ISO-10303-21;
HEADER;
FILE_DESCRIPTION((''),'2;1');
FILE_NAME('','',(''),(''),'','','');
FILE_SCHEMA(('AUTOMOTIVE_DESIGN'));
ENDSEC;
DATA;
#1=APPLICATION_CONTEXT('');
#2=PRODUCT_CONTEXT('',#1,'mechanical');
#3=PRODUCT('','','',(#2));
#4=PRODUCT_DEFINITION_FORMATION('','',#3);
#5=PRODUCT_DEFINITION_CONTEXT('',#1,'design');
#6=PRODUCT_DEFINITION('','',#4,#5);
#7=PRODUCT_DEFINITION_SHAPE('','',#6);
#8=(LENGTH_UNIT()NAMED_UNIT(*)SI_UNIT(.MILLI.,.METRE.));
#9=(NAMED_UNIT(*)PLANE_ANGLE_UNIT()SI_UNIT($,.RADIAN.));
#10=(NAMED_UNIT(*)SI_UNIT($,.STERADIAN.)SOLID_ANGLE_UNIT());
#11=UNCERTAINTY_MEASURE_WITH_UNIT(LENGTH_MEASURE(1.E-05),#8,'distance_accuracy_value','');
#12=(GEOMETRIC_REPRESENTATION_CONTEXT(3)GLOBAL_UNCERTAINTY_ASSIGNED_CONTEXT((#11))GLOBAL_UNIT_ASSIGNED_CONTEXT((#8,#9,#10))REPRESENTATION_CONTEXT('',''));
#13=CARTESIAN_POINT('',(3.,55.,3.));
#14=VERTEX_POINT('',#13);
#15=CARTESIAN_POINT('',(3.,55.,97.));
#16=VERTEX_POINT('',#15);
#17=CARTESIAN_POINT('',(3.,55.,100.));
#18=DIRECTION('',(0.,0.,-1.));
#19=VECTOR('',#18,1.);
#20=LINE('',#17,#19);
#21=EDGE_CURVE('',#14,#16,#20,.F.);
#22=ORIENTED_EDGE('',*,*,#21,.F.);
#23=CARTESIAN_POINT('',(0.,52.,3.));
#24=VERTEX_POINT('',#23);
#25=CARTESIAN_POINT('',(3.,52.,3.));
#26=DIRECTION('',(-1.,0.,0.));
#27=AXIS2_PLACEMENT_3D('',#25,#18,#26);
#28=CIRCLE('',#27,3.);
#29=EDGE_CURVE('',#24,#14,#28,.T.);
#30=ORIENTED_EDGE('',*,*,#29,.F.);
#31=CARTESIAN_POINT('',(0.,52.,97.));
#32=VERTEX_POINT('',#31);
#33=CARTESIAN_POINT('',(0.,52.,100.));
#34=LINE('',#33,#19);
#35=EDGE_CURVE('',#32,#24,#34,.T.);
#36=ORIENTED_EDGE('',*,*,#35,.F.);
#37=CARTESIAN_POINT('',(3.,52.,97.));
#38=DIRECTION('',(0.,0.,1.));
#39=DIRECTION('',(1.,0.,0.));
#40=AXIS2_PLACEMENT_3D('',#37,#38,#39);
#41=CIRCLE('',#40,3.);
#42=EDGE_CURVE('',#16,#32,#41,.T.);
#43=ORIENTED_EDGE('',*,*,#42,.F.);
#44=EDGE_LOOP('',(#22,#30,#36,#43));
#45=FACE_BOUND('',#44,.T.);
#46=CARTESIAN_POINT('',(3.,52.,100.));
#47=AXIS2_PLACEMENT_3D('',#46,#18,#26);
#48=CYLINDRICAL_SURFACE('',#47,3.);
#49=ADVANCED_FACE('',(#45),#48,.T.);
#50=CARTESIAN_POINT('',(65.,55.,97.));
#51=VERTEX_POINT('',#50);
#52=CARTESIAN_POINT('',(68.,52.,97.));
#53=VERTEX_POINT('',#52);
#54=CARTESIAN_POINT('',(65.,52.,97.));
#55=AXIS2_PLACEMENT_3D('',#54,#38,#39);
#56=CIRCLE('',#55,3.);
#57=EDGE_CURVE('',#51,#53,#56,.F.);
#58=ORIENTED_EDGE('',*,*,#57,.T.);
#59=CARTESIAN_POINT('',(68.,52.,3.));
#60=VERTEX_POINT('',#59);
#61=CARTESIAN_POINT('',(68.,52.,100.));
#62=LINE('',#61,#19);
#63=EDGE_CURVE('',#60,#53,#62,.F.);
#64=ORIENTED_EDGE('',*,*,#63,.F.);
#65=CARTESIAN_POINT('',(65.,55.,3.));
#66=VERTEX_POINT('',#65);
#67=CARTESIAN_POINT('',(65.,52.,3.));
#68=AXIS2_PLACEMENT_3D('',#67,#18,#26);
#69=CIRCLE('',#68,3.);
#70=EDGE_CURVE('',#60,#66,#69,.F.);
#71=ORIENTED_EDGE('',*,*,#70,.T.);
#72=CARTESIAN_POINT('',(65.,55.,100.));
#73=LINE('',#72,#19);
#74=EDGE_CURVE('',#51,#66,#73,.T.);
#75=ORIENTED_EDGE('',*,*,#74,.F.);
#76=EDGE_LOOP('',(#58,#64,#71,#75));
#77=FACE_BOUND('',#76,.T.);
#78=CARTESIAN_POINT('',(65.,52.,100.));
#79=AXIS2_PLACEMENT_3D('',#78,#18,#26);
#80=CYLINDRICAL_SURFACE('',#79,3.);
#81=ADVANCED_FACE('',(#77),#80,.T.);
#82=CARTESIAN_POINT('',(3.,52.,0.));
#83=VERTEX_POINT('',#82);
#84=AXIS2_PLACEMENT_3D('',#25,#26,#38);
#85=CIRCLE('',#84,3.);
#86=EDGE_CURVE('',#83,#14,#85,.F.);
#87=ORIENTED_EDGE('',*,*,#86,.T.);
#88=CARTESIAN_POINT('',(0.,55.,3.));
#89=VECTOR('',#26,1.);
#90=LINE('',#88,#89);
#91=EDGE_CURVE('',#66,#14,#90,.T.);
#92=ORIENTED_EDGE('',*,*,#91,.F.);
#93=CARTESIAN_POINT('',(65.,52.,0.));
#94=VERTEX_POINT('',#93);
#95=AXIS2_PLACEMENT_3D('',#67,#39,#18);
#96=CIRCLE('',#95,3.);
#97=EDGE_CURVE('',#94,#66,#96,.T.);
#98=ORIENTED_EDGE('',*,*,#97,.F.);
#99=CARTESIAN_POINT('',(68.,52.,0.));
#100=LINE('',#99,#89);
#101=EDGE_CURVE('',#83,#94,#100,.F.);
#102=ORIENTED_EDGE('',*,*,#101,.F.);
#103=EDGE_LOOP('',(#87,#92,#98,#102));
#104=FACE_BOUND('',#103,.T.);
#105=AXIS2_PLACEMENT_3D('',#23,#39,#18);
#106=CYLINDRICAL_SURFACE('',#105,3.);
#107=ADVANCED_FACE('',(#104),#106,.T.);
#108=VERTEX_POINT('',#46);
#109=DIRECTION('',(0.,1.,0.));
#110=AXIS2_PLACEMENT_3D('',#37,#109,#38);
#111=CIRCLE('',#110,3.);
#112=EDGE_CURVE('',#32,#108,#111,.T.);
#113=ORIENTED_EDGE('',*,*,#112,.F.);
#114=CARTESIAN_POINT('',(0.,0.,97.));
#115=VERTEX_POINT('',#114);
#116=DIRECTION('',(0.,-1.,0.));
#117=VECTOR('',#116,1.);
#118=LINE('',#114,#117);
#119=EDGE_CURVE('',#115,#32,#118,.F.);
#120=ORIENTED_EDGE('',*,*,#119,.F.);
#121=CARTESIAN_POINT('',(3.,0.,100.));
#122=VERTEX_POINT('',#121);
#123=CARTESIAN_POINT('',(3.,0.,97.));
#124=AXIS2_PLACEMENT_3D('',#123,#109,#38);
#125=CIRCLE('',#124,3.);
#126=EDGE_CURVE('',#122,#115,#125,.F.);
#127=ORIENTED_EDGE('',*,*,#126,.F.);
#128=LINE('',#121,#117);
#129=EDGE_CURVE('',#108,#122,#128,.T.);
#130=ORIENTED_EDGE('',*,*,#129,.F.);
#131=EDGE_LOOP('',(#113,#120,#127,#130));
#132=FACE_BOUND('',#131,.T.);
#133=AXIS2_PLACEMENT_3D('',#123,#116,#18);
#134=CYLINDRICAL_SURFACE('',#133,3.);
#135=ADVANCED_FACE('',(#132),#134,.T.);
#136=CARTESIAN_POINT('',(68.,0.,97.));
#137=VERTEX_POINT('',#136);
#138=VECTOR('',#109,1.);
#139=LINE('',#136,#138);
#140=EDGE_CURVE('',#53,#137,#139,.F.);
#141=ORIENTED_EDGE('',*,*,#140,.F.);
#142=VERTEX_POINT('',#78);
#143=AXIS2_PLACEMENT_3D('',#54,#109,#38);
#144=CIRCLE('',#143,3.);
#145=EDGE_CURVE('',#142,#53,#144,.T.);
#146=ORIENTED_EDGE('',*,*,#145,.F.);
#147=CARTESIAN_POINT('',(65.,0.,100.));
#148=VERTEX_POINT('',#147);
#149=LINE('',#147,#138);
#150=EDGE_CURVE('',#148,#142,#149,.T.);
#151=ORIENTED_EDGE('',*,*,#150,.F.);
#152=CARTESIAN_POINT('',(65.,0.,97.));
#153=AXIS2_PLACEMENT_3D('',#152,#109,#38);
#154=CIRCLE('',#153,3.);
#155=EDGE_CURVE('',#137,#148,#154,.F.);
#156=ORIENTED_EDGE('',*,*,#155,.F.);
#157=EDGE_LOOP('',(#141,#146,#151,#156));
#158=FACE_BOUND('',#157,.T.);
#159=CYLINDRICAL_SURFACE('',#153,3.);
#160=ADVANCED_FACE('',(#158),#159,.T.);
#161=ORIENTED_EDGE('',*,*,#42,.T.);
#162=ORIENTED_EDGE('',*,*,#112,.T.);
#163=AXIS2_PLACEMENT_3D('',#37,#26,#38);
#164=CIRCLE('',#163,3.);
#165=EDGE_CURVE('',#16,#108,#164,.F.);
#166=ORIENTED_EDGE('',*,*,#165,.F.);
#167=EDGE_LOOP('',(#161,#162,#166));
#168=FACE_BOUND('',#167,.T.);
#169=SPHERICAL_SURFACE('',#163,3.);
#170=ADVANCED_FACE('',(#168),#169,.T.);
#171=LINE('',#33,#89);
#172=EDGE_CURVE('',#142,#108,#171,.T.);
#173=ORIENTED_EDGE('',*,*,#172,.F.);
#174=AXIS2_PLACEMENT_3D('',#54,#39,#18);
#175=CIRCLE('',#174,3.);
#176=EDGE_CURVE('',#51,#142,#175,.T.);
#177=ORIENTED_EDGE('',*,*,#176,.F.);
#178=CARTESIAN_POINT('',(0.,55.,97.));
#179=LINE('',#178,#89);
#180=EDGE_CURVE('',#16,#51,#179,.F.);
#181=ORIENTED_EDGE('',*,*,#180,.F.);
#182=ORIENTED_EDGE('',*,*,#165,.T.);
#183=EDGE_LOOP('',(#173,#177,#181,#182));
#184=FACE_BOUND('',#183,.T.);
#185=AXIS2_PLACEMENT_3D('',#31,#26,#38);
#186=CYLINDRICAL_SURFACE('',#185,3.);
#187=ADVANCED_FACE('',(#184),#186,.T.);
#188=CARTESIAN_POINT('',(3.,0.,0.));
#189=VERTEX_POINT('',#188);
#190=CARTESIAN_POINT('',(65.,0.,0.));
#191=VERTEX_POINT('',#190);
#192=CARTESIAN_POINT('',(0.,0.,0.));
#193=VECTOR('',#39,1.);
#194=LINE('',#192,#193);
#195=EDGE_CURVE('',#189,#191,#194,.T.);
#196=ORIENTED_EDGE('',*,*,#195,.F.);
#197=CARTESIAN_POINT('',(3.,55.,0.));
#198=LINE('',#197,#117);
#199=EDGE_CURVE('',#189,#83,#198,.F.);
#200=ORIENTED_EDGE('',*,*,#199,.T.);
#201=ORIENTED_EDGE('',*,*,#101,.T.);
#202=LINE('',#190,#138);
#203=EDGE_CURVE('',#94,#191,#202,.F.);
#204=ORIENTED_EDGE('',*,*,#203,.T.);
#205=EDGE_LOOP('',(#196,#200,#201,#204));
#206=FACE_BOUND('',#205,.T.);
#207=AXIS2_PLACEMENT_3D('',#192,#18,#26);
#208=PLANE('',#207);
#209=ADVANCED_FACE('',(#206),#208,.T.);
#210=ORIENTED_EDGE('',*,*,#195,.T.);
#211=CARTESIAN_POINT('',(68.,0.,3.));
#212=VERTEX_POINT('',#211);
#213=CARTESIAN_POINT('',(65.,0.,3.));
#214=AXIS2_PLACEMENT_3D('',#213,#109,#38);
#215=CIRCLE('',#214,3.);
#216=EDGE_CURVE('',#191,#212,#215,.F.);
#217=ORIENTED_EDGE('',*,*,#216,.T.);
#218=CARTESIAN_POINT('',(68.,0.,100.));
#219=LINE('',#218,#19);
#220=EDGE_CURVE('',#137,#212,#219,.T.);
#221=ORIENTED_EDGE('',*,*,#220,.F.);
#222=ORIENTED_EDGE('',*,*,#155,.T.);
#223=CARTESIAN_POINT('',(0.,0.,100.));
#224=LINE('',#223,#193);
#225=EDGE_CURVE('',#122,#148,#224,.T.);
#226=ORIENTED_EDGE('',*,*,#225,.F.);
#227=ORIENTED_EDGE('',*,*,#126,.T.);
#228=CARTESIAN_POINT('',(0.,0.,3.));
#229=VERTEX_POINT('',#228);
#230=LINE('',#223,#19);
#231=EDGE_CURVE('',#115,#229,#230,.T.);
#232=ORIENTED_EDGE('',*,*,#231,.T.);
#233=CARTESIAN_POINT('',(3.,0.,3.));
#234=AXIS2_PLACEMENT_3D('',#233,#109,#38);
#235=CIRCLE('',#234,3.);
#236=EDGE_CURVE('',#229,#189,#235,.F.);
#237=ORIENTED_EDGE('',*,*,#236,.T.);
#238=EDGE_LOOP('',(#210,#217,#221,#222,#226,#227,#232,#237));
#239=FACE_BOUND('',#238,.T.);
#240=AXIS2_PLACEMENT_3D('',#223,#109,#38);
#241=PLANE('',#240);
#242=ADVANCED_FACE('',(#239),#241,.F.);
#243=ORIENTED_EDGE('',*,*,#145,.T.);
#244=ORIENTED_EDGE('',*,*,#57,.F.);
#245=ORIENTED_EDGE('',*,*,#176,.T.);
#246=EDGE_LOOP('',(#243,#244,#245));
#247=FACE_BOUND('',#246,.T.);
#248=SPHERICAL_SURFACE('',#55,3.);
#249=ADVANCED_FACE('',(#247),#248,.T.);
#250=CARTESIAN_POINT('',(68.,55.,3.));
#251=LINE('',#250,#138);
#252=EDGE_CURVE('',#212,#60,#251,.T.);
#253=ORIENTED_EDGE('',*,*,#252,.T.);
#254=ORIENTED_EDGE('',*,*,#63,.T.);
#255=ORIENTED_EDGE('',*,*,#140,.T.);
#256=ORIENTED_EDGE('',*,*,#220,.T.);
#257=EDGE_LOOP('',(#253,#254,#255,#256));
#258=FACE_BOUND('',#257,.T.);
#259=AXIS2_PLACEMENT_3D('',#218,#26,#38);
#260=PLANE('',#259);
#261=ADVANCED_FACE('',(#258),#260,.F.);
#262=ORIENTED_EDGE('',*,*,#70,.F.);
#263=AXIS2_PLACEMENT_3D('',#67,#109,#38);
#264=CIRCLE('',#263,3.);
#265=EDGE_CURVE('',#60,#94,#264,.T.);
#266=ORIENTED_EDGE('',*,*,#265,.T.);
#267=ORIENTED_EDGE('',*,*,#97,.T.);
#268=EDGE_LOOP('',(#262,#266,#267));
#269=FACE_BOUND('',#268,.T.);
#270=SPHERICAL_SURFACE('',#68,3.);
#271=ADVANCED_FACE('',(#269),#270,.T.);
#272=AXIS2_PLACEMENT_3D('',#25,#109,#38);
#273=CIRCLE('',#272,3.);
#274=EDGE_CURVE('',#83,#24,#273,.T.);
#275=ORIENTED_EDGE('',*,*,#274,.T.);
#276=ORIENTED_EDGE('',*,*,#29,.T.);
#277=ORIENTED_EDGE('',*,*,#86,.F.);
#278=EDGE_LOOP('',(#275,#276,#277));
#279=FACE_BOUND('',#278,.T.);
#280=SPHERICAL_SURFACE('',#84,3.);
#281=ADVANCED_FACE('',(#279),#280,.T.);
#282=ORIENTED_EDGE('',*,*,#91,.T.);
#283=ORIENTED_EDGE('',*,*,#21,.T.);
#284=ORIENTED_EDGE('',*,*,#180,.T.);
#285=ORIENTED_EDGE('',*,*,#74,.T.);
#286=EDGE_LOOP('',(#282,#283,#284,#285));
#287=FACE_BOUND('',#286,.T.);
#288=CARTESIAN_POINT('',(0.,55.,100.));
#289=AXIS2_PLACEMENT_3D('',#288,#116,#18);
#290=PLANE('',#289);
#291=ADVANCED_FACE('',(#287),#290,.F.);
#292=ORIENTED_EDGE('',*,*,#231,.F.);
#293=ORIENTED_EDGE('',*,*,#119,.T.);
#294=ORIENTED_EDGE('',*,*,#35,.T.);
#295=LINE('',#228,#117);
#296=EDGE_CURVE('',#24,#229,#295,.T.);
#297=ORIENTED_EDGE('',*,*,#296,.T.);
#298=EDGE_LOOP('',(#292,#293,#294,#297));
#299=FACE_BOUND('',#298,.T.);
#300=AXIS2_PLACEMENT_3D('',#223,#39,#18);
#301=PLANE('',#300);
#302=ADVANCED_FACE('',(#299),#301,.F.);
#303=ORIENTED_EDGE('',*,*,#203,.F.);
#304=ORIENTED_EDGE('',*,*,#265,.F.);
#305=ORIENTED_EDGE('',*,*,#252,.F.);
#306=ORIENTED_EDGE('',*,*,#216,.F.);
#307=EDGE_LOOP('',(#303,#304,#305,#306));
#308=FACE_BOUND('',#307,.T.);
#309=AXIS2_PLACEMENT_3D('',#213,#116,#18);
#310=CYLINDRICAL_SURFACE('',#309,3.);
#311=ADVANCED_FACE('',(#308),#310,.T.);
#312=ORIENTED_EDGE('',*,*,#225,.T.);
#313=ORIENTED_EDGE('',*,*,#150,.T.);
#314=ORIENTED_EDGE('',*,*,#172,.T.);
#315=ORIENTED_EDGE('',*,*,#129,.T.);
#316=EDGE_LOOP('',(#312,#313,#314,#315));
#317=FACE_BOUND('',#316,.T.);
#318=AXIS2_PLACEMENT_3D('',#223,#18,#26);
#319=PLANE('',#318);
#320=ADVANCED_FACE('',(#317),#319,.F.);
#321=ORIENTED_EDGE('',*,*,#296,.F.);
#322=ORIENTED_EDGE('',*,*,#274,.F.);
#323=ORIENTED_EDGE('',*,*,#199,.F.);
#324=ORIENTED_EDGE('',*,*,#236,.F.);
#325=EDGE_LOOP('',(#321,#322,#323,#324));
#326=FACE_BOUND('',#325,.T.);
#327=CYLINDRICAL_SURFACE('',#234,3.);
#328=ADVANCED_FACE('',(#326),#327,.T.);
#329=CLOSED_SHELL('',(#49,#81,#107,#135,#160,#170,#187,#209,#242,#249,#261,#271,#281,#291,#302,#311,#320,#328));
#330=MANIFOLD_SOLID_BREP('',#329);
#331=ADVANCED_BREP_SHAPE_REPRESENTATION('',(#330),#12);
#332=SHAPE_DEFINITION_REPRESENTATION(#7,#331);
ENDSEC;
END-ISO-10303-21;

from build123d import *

# Parameters (mm, degrees)
SKETCH1_W           = 68
SKETCH1_H           = 55
BOSS_EXTRUDE1_DEPTH = 100
FILLET1_R           = 3


with BuildPart() as part:
    # Sketch1 → Boss-Extrude1 (new body)
    with BuildSketch(Plane.XY):
        with Locations((34, 27.5)):
            Rectangle(SKETCH1_W, SKETCH1_H)
    extrude(amount=BOSS_EXTRUDE1_DEPTH)

    # Fillet1
    fillet1_edges = [part.edges().sort_by_distance(p)[0] for p in [
        (68, 27.5, 100),
        (34, 55, 100),
        (0, 27.5, 100),
        (34, 55, 0),
        (68, 27.5, 0),
        (0, 27.5, 0),
        (0, 55, 50),
        (68, 55, 50),
    ]]
    fillet(fillet1_edges, radius=FILLET1_R)


solid = part.part
